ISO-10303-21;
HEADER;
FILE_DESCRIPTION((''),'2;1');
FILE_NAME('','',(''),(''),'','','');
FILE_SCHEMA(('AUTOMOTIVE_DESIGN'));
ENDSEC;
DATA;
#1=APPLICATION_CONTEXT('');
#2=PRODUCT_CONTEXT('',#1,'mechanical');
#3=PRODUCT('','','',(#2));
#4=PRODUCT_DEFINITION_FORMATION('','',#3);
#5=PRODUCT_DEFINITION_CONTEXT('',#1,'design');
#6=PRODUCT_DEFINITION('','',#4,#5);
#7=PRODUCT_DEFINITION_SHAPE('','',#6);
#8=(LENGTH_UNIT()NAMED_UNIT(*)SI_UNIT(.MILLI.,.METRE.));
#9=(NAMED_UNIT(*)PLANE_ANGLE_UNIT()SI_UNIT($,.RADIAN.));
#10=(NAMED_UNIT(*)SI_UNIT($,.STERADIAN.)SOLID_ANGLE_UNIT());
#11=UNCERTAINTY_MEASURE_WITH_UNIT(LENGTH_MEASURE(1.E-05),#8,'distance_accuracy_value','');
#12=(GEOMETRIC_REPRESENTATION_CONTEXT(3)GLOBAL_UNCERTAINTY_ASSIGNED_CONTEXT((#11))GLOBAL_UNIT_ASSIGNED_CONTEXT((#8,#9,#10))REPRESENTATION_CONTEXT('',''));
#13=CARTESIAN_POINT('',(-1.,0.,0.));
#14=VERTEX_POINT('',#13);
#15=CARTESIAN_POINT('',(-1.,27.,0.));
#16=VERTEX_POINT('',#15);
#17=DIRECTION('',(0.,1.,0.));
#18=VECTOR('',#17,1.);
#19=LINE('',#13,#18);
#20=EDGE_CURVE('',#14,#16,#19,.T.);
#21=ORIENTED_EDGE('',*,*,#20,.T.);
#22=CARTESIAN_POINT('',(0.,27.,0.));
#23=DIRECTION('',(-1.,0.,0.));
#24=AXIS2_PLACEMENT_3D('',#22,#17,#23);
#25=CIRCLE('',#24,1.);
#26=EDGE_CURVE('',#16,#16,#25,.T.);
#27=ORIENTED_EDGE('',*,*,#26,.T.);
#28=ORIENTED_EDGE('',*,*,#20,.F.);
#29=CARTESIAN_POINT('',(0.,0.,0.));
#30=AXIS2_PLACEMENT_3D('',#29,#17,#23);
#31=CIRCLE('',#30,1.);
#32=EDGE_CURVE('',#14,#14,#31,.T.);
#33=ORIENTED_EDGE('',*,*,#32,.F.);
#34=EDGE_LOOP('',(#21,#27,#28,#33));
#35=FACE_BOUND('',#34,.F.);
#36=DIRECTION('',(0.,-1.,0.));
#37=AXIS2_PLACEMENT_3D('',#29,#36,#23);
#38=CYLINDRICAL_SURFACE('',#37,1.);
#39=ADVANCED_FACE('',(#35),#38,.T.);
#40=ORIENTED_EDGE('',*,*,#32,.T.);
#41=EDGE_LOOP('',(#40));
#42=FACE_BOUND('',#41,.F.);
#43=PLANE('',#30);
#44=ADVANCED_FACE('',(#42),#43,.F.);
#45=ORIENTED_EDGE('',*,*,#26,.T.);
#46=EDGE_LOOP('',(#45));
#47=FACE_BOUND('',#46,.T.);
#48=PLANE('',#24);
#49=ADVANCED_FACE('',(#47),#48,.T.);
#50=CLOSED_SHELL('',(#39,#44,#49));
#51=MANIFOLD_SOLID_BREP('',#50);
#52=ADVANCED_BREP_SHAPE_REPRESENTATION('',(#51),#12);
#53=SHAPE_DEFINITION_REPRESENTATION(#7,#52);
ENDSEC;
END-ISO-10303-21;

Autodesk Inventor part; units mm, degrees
ref_plane "YZ Plane" through (0, 0, 0) normal (1, 0, 0) x (0, 1, 0)
ref_plane "XZ Plane" through (0, 0, 0) normal (0, 1, 0) x (-1, 0, 0)
ref_plane "XY Plane" through (0, 0, 0) normal (0, 0, 1) x (1, 0, 0)
sketch "Sketch4" plane through (0, 0, 0) normal (0, 1, 0) x (-1, 0, 0)
  circle A0 centre (0, 0) radius 1
  dimension "d6" = 2
extrude "Extrusion2" add sketch "Sketch4" along normal blind 27
properties part number "LaserBeam4"
